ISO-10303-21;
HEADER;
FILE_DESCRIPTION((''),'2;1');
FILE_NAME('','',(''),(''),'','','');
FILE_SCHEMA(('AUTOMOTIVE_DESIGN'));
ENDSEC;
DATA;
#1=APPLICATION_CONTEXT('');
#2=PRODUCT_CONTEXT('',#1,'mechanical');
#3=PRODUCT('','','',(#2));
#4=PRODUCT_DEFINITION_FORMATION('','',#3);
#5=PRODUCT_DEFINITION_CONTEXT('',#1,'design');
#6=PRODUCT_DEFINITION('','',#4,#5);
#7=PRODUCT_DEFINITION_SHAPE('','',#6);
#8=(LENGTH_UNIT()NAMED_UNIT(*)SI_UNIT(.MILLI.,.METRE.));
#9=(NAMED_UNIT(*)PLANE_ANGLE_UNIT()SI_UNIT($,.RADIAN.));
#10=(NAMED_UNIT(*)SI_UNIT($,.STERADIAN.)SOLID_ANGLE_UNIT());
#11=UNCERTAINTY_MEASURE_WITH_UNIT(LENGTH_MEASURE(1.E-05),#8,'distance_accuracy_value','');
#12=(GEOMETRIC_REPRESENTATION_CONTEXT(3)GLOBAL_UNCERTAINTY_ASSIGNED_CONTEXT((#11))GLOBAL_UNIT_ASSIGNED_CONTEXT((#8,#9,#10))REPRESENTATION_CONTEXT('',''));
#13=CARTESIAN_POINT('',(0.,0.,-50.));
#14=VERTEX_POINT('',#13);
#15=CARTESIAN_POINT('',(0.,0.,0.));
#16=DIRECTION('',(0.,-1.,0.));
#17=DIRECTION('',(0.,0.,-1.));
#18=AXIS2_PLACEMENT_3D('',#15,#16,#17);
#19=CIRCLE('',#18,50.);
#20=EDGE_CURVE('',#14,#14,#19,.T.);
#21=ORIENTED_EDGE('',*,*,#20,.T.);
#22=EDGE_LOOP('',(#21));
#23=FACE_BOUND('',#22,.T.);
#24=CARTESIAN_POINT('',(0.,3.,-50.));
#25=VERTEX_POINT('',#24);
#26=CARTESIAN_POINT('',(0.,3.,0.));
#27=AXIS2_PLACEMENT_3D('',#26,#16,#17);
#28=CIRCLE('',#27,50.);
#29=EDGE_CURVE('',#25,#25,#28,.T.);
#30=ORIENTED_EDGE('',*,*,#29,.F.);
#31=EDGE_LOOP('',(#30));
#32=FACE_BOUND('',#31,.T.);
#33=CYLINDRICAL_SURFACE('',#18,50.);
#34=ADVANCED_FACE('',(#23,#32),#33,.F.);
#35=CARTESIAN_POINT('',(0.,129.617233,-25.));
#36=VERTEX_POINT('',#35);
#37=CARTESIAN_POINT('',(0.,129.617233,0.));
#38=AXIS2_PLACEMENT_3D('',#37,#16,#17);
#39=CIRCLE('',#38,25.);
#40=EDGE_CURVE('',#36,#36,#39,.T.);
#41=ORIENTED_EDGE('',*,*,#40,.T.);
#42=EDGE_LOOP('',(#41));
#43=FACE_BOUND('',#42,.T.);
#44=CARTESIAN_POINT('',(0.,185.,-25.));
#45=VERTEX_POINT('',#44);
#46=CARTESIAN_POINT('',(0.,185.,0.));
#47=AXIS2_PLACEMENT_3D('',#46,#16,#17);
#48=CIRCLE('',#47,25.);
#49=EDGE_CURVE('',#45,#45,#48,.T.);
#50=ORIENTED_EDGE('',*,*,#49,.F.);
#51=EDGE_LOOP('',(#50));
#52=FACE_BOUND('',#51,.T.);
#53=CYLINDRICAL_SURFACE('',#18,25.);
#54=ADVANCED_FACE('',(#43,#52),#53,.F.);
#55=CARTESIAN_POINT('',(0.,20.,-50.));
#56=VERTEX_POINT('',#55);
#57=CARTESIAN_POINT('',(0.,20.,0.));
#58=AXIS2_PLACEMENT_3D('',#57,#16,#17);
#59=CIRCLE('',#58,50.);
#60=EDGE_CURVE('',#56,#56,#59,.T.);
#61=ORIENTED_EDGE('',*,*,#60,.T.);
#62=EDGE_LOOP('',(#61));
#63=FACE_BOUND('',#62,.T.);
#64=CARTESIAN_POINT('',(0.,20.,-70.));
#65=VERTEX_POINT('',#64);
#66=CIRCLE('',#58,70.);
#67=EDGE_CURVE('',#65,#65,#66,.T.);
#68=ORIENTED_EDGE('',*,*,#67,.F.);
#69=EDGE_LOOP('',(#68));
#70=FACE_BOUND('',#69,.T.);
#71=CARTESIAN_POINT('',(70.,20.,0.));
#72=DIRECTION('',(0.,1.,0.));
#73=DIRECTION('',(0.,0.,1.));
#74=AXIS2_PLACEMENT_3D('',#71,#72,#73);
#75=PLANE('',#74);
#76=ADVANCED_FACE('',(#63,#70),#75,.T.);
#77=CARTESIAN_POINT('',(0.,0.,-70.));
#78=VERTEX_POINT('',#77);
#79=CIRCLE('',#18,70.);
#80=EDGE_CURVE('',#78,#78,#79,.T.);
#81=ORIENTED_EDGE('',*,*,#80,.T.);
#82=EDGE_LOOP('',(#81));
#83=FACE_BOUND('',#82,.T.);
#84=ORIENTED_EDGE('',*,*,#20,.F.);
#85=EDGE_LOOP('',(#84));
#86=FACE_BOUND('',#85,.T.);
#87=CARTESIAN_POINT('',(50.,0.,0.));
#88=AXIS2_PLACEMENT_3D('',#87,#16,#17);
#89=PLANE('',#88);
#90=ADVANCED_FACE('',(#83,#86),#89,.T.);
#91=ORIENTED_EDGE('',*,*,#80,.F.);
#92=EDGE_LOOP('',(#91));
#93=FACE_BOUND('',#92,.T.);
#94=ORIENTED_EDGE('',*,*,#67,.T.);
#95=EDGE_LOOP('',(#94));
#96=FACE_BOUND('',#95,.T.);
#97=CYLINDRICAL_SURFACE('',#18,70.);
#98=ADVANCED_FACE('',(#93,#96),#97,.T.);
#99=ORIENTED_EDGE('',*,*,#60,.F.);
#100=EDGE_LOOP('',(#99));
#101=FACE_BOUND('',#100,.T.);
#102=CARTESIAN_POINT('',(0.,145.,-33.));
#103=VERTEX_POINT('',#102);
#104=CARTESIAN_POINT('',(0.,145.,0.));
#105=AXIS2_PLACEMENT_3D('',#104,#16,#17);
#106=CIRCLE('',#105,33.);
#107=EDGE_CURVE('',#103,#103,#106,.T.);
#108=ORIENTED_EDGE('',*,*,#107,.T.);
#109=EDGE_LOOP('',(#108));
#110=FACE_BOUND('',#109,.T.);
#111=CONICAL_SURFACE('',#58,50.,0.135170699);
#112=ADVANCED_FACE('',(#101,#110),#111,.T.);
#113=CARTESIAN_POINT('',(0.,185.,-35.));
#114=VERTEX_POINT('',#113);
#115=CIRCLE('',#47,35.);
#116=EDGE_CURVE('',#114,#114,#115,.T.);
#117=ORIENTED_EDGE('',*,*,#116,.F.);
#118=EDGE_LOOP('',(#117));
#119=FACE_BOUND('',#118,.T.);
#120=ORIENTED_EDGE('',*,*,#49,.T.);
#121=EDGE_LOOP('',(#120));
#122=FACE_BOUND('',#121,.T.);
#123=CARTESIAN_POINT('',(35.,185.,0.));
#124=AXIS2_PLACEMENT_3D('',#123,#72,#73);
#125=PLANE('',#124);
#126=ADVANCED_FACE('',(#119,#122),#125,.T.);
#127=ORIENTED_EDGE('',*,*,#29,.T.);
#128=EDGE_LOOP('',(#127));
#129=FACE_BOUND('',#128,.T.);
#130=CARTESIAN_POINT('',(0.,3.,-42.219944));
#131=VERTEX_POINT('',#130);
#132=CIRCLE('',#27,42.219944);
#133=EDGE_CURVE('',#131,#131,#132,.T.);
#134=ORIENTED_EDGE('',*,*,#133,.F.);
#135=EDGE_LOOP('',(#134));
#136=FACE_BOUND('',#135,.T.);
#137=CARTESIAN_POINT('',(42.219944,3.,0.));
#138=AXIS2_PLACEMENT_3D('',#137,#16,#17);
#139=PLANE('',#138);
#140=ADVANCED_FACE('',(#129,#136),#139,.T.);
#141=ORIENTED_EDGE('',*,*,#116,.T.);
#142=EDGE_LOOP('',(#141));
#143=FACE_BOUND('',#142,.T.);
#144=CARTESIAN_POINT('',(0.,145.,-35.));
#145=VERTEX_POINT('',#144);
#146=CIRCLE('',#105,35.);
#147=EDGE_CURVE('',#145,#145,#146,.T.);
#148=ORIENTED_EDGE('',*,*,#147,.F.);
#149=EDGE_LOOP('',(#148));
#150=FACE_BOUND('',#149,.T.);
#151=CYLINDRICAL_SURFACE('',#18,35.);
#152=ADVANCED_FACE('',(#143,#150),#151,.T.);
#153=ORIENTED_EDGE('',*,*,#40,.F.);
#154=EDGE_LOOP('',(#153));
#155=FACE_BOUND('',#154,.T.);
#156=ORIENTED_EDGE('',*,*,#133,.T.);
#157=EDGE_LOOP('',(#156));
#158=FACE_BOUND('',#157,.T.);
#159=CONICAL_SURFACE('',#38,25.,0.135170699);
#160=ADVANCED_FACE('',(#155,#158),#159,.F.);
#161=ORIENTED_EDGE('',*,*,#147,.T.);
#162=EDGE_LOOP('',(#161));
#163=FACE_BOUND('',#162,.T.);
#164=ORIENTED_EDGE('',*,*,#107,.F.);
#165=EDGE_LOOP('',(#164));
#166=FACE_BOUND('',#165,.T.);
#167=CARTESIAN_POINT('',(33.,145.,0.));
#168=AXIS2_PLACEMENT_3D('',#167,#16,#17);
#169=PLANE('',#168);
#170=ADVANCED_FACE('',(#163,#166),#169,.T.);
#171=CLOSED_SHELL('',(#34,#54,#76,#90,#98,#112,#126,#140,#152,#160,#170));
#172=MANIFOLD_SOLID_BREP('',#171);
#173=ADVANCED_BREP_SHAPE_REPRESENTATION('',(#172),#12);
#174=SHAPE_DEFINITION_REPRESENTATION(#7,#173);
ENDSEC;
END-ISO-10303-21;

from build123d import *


with BuildPart() as part:
    # Sketch1 → Revolve1 (revolve)
    with BuildSketch(Plane.XY):
        Polygon((70, 0), (70, 20), (50, 20), (33, 145), (35, 145), (35, 185), (25, 185), (25, 129.61723322), (42.219943718, 3), (50, 3), (50, 0), align=None)
    revolve(axis=Axis((0, 0, 0), (0, 1, 0)))


solid = part.part
